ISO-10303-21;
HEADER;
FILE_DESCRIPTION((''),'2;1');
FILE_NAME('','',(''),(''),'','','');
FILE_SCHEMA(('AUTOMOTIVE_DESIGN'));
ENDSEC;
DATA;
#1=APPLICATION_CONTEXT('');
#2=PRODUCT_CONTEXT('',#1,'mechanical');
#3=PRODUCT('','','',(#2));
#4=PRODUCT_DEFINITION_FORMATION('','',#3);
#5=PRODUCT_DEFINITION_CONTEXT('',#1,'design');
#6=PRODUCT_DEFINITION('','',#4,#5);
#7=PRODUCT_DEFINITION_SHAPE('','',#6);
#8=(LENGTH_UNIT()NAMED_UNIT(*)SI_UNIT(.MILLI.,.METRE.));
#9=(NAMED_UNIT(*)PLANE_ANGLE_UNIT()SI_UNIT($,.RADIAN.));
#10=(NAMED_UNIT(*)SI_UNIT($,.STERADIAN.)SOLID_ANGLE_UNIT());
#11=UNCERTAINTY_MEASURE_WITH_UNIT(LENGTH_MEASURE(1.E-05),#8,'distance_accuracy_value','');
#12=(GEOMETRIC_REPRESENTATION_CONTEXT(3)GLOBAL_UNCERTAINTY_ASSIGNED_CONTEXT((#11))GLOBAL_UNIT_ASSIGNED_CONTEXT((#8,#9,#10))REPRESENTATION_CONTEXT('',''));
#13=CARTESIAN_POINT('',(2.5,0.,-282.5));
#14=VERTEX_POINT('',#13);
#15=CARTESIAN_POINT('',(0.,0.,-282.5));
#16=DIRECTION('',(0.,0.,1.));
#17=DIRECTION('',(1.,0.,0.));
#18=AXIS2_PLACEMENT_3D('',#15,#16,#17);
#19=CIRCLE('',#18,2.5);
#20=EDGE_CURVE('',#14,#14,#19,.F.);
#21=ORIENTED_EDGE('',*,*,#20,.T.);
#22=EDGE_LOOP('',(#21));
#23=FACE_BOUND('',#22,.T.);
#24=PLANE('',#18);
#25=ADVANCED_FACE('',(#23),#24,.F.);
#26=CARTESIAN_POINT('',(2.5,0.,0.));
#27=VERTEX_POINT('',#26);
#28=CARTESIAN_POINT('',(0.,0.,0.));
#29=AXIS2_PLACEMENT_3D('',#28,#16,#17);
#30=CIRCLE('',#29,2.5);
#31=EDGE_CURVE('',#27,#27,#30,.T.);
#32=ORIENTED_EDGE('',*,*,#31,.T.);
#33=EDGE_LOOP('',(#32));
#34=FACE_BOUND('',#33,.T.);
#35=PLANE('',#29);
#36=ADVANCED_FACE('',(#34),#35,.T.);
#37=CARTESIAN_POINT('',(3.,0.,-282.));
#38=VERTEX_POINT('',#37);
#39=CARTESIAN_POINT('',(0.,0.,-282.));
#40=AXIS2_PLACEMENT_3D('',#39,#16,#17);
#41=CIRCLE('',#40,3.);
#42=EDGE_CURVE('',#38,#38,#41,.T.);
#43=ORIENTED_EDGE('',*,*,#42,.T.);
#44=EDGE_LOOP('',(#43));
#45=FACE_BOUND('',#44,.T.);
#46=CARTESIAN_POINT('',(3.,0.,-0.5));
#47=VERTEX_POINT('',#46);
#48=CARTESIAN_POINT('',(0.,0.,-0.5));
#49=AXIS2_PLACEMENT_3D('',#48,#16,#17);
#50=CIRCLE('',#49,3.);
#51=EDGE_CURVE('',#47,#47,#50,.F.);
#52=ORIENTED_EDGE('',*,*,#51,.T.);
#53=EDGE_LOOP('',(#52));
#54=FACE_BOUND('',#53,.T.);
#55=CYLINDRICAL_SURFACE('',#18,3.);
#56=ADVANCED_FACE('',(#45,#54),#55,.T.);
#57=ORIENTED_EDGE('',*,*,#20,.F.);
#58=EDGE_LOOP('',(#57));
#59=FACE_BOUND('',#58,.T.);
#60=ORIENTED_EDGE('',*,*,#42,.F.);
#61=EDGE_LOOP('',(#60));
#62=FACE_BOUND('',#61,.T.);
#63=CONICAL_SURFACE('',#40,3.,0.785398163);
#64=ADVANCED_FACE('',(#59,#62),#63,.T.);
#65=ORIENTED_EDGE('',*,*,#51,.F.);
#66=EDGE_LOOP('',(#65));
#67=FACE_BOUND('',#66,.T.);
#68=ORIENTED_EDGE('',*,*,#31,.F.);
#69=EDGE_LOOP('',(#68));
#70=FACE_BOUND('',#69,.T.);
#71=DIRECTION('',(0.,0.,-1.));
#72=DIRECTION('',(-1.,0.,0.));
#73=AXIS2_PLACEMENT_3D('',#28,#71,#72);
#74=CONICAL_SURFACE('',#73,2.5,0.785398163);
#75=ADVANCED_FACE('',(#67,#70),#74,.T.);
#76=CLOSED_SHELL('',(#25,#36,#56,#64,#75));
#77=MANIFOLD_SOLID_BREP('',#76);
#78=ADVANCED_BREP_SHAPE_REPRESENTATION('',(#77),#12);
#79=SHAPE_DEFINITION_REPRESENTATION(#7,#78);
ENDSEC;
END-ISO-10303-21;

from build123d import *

# Parameters (mm, degrees)
SKETCH1_R           = 3
BOSS_EXTRUDE1_DEPTH = 282.5
CHAMFER1_SIZE       = 0.5


with BuildPart() as part:
    # Sketch1 → Boss-Extrude1 (new body)
    with BuildSketch(Plane.XY):
        Circle(SKETCH1_R)
    extrude(amount=-BOSS_EXTRUDE1_DEPTH)

    # Chamfer1
    chamfer1_edges = [part.edges().sort_by_distance(p)[0] for p in [
        (-3, 0, 0),
        (-3, 0, -282.5),
    ]]
    chamfer(chamfer1_edges, length=CHAMFER1_SIZE)


solid = part.part
